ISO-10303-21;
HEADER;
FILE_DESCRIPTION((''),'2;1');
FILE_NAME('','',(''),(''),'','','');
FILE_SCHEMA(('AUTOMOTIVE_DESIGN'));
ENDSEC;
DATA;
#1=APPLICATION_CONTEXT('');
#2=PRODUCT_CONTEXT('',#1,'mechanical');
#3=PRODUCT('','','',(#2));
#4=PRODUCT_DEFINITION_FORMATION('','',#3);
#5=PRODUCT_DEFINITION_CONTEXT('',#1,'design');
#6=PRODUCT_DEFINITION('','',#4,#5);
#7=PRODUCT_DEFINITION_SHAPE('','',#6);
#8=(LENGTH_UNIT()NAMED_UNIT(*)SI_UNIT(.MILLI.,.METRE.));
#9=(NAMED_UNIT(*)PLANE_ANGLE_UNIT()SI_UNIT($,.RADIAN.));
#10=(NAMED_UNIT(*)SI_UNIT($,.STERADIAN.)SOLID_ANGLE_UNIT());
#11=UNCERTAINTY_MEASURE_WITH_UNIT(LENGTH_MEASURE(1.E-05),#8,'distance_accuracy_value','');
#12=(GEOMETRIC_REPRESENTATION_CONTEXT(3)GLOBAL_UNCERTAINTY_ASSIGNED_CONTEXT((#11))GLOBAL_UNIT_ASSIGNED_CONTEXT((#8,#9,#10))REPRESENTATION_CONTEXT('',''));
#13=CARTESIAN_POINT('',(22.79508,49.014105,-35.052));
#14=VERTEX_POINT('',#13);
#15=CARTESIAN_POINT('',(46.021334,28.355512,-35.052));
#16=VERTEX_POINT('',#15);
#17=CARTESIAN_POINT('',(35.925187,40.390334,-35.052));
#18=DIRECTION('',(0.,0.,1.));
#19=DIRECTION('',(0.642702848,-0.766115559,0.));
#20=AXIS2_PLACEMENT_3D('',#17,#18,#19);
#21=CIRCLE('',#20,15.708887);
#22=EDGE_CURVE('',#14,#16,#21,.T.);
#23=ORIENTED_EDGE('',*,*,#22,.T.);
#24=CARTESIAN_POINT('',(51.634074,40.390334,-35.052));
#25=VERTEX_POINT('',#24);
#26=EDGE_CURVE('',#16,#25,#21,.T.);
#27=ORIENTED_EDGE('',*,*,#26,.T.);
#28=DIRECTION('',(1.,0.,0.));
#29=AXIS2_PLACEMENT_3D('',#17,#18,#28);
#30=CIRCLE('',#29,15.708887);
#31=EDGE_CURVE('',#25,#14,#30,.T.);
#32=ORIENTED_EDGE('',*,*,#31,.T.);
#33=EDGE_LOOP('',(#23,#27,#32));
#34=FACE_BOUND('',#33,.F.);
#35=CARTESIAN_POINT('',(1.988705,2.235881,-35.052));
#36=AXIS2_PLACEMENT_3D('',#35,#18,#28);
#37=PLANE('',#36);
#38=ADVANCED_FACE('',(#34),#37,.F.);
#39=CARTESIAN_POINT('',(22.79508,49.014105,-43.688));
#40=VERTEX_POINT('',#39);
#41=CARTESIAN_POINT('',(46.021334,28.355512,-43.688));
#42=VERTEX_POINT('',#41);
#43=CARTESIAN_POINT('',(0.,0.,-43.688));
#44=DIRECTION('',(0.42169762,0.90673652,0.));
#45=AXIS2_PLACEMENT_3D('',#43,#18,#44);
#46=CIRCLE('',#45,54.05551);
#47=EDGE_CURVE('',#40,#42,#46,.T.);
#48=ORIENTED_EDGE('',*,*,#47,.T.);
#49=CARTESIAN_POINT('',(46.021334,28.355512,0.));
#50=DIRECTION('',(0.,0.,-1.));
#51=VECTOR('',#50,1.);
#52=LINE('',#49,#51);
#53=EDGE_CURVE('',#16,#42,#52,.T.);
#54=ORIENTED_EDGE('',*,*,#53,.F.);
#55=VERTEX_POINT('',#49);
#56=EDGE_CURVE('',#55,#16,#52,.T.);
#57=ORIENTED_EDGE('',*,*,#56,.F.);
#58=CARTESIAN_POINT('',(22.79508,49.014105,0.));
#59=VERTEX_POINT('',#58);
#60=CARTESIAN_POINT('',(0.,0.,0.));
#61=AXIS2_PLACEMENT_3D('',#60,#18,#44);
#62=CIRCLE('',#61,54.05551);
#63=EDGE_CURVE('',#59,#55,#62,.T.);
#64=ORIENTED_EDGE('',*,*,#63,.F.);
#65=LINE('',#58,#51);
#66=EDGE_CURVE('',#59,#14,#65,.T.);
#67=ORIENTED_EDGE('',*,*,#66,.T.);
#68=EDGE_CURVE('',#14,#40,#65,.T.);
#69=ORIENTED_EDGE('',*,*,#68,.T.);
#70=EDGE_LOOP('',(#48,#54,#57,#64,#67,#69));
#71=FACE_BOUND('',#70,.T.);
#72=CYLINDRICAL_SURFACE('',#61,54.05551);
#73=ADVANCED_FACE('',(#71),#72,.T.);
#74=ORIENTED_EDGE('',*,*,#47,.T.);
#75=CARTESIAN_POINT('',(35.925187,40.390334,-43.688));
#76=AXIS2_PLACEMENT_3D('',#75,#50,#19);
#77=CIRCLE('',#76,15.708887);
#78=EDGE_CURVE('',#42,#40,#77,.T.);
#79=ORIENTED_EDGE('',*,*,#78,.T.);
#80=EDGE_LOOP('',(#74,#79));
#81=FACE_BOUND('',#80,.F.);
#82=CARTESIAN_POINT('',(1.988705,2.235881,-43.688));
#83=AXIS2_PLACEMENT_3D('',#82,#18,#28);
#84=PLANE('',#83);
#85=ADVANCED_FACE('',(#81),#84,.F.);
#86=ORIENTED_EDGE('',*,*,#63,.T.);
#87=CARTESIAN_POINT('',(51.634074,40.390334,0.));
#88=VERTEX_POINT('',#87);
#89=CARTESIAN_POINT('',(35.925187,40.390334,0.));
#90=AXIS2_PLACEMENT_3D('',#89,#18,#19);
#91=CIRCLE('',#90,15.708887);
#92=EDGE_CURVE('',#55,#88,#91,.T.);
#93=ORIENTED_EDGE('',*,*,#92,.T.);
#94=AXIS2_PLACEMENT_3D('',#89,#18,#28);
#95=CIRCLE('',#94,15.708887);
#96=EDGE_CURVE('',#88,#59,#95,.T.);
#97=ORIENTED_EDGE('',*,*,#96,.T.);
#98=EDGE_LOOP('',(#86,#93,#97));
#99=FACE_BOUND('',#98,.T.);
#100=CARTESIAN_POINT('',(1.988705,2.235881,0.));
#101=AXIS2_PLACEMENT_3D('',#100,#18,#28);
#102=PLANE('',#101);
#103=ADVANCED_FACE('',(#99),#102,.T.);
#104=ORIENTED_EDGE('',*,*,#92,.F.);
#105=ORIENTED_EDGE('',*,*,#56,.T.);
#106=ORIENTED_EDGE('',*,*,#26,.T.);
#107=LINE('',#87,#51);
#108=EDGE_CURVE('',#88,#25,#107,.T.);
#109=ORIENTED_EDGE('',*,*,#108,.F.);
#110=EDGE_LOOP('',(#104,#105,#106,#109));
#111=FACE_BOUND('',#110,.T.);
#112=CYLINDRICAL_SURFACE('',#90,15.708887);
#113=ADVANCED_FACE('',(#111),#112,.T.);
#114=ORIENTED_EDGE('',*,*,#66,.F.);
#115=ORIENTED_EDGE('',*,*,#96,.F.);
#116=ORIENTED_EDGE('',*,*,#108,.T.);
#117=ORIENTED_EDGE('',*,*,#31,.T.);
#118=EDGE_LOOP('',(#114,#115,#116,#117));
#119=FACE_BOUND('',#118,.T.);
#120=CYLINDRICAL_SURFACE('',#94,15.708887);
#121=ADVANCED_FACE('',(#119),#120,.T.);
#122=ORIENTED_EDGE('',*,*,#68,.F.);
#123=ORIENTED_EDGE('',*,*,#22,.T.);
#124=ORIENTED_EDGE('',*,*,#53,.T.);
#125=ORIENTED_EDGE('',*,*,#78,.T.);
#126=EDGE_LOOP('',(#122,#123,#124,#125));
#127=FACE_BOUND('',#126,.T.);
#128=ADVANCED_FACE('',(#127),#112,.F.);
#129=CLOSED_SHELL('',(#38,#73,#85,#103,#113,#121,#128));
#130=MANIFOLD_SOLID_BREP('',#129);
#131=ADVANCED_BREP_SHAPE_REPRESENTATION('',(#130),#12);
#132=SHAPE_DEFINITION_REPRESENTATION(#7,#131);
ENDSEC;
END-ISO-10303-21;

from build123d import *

# Parameters (mm, degrees)
F1_DEPTH = 43.688
F2_DEPTH = 35.052


with BuildPart() as f1:
    # F0 (on Top) → F1 (new body)
    with BuildSketch(Plane.XY):
        with BuildLine():
            ThreePointArc((22.7950800152, 49.0141052374), (-45.5752008544, -29.067150741), (54.0555102198, 0))
            ThreePointArc((54.0555102198, 0), (52.0081957726, 14.7358663675), (46.0213336218, 28.3555115769))
            ThreePointArc((46.0213336218, 28.3555115769), (25.485091226, 28.652637335), (22.7950800152, 49.0141052374))
        make_face()
    extrude(amount=-F1_DEPTH)

    # F0 (on Top) → F2 (join)
    with BuildSketch(Plane.XY):
        with BuildLine():
            ThreePointArc((22.7950800152, 49.0141052374), (-45.5752008544, -29.067150741), (54.0555102198, 0))
            ThreePointArc((54.0555102198, 0), (52.0081957726, 14.7358663675), (46.0213336218, 28.3555115769))
            ThreePointArc((46.0213336218, 28.3555115769), (25.485091226, 28.652637335), (22.7950800152, 49.0141052374))
        make_face()
        with BuildLine():
            ThreePointArc((22.7950800152, 49.0141052374), (25.485091226, 28.652637335), (46.0213336218, 28.3555115769))
            ThreePointArc((46.0213336218, 28.3555115769), (35.9251871181, 40.3903344335), (22.7950800152, 49.0141052374))
        make_face()
        with BuildLine():
            ThreePointArc((22.7950800152, 49.0141052374), (35.9251871181, 40.3903344335), (46.0213336218, 28.3555115769))
            ThreePointArc((46.0213336218, 28.3555115769), (50.1619065693, 33.7506842409), (51.6340742656, 40.3903344335))
            ThreePointArc((51.6340742656, 40.3903344335), (40.4257295687, 55.4407248957), (22.7950800152, 49.0141052374))
        make_face()
    extrude(amount=-F2_DEPTH)


solid = f1.part
